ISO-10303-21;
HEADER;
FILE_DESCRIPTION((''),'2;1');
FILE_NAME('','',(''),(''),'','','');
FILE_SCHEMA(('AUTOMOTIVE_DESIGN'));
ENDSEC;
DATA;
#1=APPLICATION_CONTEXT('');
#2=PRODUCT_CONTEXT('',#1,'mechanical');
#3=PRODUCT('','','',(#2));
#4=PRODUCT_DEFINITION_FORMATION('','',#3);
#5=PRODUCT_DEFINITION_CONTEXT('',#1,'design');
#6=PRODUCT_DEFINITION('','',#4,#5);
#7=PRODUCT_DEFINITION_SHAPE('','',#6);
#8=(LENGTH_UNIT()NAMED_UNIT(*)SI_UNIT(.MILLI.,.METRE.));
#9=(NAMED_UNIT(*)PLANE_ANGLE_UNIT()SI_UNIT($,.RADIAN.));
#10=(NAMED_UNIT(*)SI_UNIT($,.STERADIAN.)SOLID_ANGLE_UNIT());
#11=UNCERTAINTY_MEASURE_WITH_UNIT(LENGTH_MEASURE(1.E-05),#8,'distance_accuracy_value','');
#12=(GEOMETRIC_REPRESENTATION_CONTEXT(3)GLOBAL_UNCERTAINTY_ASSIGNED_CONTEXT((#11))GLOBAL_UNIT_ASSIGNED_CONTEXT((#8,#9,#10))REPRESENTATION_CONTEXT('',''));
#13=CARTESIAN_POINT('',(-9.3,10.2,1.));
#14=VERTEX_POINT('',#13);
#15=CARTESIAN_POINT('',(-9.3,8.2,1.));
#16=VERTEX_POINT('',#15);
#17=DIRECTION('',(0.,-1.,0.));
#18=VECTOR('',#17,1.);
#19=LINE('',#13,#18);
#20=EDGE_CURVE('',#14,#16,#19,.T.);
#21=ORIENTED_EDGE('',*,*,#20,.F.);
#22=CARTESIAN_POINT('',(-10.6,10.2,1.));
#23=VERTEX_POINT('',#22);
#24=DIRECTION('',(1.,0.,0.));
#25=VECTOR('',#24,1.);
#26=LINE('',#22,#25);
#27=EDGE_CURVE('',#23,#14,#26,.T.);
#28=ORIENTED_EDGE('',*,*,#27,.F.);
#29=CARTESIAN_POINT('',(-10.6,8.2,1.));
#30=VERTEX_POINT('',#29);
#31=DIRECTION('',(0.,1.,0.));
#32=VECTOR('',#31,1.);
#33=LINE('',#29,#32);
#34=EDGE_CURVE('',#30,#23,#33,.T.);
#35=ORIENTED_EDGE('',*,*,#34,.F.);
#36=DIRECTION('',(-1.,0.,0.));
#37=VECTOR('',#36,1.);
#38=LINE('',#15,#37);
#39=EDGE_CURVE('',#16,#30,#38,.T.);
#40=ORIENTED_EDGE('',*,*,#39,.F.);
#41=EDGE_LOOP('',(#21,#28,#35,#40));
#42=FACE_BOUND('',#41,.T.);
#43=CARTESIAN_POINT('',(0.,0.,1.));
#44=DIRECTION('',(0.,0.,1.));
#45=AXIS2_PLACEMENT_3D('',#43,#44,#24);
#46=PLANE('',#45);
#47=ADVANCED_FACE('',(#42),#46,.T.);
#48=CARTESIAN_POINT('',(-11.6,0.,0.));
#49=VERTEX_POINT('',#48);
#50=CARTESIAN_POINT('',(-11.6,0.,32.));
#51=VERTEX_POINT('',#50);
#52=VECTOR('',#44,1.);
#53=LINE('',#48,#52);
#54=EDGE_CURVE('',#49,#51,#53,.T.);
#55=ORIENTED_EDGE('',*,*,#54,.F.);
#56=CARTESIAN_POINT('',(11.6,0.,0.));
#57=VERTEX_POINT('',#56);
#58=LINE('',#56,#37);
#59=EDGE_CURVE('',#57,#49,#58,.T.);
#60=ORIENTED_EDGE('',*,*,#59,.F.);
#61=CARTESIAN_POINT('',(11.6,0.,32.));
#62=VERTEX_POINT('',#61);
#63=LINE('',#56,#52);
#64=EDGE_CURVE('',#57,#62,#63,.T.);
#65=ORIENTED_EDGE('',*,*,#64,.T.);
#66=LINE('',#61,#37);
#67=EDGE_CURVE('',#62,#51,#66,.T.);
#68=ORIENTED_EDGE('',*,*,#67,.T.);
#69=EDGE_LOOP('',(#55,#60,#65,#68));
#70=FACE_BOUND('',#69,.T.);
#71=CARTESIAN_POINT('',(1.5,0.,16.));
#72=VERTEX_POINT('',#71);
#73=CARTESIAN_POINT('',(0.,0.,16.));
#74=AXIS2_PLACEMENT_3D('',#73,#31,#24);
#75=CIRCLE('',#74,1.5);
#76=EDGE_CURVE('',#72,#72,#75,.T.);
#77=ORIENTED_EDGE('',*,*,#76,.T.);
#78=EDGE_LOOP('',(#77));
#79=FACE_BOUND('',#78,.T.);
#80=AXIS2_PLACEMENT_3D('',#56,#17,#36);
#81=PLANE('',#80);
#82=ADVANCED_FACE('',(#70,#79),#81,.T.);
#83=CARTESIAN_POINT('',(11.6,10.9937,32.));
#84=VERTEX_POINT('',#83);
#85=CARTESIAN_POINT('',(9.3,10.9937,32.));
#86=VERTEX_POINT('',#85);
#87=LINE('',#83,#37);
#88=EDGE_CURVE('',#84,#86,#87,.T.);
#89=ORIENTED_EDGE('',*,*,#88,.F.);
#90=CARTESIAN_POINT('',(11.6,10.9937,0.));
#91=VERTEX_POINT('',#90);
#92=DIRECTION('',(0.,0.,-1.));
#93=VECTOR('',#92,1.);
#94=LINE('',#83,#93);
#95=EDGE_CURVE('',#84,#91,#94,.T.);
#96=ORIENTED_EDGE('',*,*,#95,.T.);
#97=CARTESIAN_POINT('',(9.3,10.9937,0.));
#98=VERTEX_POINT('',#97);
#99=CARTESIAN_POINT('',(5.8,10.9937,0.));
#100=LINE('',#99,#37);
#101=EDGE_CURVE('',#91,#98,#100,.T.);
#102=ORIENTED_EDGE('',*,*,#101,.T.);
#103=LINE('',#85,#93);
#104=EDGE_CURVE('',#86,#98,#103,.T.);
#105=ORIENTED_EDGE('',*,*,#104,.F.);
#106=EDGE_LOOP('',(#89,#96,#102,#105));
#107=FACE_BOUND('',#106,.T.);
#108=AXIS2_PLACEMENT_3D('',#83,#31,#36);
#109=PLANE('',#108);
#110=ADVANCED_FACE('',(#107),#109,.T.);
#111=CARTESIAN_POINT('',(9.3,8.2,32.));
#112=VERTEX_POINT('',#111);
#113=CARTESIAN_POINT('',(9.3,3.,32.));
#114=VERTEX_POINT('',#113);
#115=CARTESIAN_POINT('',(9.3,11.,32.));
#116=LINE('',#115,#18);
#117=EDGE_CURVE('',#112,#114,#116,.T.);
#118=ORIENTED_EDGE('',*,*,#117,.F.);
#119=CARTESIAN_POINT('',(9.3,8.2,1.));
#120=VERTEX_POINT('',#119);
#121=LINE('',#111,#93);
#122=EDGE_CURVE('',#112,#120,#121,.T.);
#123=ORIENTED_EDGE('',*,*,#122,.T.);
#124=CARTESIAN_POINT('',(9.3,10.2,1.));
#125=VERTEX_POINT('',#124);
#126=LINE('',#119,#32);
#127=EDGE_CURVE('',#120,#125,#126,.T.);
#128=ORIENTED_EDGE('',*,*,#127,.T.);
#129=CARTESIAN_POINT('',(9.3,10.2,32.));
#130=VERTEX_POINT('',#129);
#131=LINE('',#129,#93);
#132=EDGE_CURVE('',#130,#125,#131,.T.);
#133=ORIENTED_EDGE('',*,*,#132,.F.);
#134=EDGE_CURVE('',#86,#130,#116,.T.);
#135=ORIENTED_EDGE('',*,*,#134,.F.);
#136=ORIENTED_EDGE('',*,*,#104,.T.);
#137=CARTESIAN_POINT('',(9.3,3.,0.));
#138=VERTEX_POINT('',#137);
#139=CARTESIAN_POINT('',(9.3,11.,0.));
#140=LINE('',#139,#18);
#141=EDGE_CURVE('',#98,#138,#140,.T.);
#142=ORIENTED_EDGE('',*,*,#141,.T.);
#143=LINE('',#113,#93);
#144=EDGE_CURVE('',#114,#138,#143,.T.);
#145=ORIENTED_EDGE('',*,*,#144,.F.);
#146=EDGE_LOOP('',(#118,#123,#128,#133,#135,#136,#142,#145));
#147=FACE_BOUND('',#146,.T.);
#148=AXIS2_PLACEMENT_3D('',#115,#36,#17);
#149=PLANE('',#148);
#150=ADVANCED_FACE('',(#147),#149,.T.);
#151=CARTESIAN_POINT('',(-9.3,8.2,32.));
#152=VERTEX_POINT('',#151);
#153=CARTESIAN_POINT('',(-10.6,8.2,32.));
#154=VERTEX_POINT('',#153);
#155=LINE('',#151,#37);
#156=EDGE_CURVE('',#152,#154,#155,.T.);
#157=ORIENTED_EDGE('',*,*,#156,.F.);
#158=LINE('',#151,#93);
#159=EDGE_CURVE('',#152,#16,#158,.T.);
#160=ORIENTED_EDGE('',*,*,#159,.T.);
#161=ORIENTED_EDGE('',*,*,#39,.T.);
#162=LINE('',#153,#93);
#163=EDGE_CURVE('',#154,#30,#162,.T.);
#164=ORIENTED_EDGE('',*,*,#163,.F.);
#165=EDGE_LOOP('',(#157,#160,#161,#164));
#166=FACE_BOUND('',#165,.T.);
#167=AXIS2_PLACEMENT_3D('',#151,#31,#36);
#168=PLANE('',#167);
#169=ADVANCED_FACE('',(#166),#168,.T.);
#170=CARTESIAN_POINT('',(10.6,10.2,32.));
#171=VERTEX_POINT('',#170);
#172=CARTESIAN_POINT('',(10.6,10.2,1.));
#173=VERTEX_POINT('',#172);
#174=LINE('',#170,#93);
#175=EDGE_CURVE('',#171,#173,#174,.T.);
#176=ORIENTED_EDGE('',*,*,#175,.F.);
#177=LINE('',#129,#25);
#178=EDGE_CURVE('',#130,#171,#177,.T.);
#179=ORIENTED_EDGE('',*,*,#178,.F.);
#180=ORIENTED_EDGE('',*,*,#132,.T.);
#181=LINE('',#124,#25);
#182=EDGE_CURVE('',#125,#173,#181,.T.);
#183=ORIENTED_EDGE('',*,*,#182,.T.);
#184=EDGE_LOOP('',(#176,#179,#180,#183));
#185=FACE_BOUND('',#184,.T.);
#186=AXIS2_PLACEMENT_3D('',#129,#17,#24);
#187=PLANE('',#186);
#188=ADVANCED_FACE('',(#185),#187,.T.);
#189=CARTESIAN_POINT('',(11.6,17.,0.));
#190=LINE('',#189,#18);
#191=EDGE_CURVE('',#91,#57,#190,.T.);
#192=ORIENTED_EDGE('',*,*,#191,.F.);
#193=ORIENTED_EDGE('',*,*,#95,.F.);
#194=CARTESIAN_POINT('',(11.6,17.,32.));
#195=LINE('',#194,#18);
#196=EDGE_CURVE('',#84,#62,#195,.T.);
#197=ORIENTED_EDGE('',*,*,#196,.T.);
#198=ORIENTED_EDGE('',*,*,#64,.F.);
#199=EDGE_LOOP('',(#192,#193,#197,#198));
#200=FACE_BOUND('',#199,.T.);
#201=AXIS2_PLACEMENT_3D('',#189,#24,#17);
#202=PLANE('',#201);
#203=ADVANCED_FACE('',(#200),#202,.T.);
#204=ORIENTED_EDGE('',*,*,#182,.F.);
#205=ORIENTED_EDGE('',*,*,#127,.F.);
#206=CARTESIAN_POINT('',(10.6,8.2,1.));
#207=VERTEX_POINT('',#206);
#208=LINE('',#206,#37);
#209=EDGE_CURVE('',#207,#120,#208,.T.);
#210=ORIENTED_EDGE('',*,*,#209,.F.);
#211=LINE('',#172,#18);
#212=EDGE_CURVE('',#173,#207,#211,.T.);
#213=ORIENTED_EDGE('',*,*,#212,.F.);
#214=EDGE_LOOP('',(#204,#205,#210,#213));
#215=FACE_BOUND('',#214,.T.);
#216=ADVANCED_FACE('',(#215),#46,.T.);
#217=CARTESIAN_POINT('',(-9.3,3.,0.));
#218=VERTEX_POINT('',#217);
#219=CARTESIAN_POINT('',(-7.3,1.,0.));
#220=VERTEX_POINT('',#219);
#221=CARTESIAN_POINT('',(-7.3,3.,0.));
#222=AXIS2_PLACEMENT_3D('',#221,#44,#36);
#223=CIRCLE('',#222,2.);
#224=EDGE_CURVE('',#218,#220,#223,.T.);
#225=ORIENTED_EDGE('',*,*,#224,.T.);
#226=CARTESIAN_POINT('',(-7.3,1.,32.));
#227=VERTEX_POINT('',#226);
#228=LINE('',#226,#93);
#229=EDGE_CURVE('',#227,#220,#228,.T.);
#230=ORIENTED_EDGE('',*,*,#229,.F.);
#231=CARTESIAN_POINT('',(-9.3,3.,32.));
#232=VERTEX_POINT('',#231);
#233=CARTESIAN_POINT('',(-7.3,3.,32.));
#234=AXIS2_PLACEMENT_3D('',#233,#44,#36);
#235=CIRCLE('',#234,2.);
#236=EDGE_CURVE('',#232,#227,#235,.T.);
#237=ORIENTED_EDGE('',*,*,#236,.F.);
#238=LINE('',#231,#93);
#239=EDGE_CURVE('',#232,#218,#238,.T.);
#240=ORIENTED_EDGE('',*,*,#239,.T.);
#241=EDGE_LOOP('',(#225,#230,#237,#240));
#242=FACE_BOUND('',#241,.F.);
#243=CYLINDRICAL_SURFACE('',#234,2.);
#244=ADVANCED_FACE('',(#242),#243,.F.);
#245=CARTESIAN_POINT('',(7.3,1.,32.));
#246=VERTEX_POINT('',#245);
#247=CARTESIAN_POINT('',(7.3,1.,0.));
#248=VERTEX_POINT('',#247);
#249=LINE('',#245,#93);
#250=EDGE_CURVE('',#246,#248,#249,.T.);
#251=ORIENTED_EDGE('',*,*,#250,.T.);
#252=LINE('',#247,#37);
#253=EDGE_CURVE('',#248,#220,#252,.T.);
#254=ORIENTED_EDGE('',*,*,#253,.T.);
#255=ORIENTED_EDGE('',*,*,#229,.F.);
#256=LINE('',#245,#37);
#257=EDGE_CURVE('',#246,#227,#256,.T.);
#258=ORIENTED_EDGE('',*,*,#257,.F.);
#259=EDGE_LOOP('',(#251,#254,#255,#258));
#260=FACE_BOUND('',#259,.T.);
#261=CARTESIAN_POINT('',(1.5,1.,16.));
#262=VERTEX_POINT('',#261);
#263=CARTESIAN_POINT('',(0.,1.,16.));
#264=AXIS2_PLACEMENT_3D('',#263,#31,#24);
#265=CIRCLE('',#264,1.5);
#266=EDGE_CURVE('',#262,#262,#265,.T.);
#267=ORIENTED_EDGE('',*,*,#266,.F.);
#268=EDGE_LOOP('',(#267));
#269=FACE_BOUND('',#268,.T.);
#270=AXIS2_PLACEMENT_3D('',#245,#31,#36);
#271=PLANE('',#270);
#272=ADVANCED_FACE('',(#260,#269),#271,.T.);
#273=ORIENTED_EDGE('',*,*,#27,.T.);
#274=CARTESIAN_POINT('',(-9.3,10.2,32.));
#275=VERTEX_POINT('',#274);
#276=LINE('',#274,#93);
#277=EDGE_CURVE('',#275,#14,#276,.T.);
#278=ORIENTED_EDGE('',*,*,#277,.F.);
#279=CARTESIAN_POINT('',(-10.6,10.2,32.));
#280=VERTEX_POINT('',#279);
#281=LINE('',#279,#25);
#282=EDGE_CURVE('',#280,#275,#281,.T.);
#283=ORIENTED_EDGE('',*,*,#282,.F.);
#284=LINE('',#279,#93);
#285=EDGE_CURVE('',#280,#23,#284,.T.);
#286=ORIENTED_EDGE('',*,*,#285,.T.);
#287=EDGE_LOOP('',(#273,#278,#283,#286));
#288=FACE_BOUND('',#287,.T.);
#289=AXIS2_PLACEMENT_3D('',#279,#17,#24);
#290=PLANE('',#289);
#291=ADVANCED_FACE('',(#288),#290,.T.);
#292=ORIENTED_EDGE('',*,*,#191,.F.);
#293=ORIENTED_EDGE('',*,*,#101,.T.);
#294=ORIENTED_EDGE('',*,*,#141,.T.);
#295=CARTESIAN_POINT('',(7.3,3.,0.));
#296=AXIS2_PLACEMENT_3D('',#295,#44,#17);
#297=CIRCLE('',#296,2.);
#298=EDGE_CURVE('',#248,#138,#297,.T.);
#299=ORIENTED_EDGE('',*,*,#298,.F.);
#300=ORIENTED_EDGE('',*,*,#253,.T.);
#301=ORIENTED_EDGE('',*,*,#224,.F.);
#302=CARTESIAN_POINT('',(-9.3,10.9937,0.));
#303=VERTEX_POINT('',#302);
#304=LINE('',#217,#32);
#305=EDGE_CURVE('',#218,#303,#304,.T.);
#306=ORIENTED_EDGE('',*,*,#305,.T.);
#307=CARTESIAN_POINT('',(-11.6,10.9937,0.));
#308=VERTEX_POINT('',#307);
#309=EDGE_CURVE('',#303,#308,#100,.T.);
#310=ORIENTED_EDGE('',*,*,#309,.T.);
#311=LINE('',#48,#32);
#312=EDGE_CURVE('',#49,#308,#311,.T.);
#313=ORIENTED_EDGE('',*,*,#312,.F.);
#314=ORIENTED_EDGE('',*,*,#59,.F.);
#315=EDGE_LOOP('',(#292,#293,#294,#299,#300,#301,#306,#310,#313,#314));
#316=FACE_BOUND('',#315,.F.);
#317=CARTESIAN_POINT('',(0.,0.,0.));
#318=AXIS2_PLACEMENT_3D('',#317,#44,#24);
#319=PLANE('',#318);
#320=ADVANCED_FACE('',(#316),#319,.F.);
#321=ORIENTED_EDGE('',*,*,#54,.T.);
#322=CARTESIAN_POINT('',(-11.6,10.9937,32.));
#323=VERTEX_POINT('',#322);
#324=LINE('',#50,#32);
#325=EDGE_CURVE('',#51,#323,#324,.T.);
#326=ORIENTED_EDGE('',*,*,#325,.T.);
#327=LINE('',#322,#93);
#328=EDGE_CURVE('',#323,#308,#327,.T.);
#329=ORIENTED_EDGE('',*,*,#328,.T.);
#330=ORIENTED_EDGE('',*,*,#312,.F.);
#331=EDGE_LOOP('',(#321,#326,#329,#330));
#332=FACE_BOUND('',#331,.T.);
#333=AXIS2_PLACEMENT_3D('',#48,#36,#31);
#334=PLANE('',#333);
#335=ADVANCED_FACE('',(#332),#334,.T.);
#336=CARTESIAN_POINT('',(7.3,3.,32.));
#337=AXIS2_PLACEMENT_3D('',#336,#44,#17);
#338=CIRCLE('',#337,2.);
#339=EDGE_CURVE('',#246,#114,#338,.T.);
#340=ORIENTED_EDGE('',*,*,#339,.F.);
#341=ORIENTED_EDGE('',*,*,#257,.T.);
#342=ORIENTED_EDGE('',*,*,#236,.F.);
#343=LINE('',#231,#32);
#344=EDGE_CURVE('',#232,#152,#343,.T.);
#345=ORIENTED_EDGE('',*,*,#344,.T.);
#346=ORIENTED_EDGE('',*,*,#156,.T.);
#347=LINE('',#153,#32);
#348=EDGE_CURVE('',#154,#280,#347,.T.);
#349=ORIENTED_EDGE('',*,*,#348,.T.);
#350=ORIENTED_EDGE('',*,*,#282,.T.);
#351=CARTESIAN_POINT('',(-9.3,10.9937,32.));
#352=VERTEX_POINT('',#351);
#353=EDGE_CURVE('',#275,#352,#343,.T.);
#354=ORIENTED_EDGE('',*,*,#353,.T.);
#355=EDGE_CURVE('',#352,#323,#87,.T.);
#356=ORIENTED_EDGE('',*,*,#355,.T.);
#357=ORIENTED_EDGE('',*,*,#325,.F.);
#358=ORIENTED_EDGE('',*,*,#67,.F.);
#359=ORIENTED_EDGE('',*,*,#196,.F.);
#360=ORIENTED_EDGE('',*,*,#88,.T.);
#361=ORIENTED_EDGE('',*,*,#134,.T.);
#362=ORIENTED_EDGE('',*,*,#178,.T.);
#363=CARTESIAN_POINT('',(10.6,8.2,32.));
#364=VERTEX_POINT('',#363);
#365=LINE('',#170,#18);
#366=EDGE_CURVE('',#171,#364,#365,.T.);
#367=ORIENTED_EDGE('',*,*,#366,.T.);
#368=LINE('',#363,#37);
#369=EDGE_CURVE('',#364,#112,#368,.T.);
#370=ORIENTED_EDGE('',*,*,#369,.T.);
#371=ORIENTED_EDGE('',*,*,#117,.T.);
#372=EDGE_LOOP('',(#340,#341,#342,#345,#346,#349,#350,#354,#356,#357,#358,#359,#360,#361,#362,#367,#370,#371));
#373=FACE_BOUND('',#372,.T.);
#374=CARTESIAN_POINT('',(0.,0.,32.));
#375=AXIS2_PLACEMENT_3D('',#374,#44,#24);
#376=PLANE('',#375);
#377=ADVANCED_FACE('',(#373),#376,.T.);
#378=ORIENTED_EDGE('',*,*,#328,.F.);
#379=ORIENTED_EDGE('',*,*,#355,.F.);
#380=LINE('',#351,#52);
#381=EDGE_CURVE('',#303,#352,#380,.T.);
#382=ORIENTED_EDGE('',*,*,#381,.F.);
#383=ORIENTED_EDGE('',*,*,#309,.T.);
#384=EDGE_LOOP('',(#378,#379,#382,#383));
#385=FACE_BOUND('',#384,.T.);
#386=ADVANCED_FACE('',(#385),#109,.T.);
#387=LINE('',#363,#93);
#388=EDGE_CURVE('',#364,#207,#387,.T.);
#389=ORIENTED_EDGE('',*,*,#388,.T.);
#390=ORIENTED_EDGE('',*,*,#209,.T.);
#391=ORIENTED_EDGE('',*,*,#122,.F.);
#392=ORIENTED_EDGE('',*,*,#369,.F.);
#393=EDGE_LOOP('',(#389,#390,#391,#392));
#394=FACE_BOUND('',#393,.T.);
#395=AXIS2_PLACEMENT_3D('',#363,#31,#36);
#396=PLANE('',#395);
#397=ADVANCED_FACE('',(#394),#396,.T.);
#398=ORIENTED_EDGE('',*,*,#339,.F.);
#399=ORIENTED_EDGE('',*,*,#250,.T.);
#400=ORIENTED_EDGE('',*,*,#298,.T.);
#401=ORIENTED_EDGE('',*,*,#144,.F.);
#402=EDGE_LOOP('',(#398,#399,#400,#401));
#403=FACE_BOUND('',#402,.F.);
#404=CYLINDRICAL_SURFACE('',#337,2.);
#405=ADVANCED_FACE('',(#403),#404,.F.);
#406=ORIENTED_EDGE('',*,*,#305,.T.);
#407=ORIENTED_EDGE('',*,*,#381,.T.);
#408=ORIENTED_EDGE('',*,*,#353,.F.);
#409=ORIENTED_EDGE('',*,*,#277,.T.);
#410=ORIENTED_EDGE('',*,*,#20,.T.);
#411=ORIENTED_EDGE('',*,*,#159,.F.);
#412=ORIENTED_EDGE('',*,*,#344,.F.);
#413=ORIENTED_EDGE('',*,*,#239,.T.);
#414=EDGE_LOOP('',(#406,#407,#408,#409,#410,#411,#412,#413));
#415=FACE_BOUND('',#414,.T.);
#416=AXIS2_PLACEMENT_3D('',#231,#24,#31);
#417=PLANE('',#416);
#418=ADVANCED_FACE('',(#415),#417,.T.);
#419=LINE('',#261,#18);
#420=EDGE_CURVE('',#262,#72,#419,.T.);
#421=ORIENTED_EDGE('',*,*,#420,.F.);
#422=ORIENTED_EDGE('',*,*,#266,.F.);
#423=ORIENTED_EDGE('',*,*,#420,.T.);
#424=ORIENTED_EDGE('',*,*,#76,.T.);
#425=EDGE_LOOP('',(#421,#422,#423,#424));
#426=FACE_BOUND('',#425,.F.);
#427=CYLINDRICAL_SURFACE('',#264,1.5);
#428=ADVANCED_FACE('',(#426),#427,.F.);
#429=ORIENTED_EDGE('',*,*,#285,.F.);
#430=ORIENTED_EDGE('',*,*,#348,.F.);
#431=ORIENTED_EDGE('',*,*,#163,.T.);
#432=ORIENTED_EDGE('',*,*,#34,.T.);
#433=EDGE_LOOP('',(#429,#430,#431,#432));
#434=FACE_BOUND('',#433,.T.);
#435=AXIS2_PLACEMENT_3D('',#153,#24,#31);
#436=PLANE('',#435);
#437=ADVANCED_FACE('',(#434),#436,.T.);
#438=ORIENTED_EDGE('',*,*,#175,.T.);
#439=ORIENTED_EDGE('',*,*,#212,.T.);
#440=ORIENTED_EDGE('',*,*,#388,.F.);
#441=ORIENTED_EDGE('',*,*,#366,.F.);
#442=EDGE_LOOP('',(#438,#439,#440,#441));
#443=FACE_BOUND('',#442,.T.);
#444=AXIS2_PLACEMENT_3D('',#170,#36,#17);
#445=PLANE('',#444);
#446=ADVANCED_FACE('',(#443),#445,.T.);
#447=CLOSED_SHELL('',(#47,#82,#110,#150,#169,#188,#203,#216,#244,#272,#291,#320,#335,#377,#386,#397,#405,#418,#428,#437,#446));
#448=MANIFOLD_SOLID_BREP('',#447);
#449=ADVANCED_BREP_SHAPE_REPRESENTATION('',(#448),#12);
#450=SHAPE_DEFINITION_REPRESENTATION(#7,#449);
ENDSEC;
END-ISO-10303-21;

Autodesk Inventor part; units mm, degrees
ref_plane "YZ Plane" through (0, 0, 0) normal (1, 0, 0) x (0, 1, 0)
ref_plane "XZ Plane" through (0, 0, 0) normal (0, 1, 0) x (-1, 0, 0)
ref_plane "XY Plane" through (0, 0, 0) normal (0, 0, 1) x (1, 0, 0)
sketch "本体面" plane through (0, 0, 0) normal (0, 0, 1) x (1, 0, 0)
  line L0 (-11.6, 17) -> (11.6, 17)
  line L1 (11.6, 17) -> (11.6, 0)
  line L2 (11.6, 0) -> (-11.6, 0)
  line L3 (-11.6, 0) -> (-11.6, 17)
  point P0 (0, 0)
  point P1 (0, 0)
  dimension "d0" = 23.2
  dimension "d1" = 17
extrude "本体" add sketch "本体面" along normal blind 32
sketch "空洞面" plane through (0, 0, 32) normal (0, 0, 1) x (1, 0, 0)
  line L0 (-9.3, 11) -> (9.3, 11)
  line L1 (9.3, 11) -> (9.3, 3)
  line L2 (7.3, 1) -> (-7.3, 1)
  line L3 (-9.3, 3) -> (-9.3, 11)
  line L4 (11.6, 17) -> (-11.6, 17) projected
  arc A0 (-9.3, 3) -> (-7.3, 1) centre (-7.3, 3) ccw
  arc A1 (7.3, 1) -> (9.3, 3) centre (7.3, 3) ccw
  line L5 (-11.6, 0) -> (11.6, 0) projected
  point P0 (0, 0)
  point P1 (9.3, 1)
  point P2 (-9.3, 1)
  point P3 (0, 11)
  dimension "d4" = 18.6
  dimension "d6" = 2
  dimension "d31" = 1
  dimension "d32" = 10
extrude "空洞" cut sketch "空洞面" against normal blind 32
sketch "左溝面" plane through (0, 0, 32) normal (0, 0, 1) x (1, 0, 0)
  line L0 (-10.6, 10.2) -> (-9.3, 10.2)
  line L1 (-9.3, 10.2) -> (-9.3, 8.2)
  line L2 (-9.3, 8.2) -> (-10.6, 8.2)
  line L3 (-10.6, 8.2) -> (-10.6, 10.2)
  line L4 (11.6, 17) -> (-11.6, 17) construction
  line L5 (-11.6, 17) -> (-11.6, 0) construction
  line L6 (-9.3, 3) -> (-9.3, 11) construction
  line L7 (-9.3, 11) -> (9.3, 11) construction
  point P0 (0, 0)
  point P1 (-9.3, 28)
  dimension "d10" = 2
  dimension "d28" = 1
  dimension "d33" = 0.8
extrude "左溝" cut sketch "左溝面" against normal blind 31
sketch "右溝面" plane through (0, 0, 32) normal (0, 0, 1) x (1, 0, 0)
  line L0 (9.3, 10.2) -> (10.6, 10.2)
  line L1 (10.6, 10.2) -> (10.6, 8.2)
  line L2 (10.6, 8.2) -> (9.3, 8.2)
  line L3 (9.3, 8.2) -> (9.3, 10.2)
  line L4 (11.6, 0) -> (11.6, 17) construction
  line L5 (9.3, 11) -> (9.3, 3) construction
  line L6 (-9.3, 11) -> (9.3, 11) construction
  point P0 (0, 0)
  dimension "d22" = 2
  dimension "d30" = 1
  dimension "d34" = 0.8
extrude "右溝" cut sketch "右溝面" against normal blind 31
sketch "穴面" plane through (0, 0, 0) normal (0, 0, -1) x (-1, 0, 0)
  line L0 (-7.3, 15) -> (7.3, 15)
  line L1 (9.3, 13) -> (9.3, 4)
  line L2 (7.3, 2) -> (-7.3, 2)
  line L3 (-9.3, 4) -> (-9.3, 13)
  line L4 (11.6, 17) -> (-11.6, 17) construction
  line L5 (-11.6, 0) -> (11.6, 0) construction
  arc A0 (-7.3, 15) -> (-9.3, 13) centre (-7.3, 13) ccw
  arc A1 (9.3, 13) -> (7.3, 15) centre (7.3, 13) ccw
  arc A2 (-9.3, 4) -> (-7.3, 2) centre (-7.3, 4) ccw
  arc A3 (7.3, 2) -> (9.3, 4) centre (7.3, 4) ccw
  line L6 (9.3, 11) -> (9.3, 3) projected
  line L7 (-9.3, 3) -> (-9.3, 11) projected
  point P0 (0, 0)
  dimension "d41" = 2
  dimension "d44" = 2
  dimension "d45" = 2
sketch "スケッチ11" plane through (0, 0, 32) normal (0, 0, 1) x (1, 0, 0)
  line L0 (-11.6, 17) -> (11.6, 17) projected
  line L1 (11.6, 17) -> (11.6, 0) projected
  line L2 (-11.6, 17) -> (11.6, 17)
  line L3 (11.6, 17) -> (11.6, 10.9937)
  line L4 (11.6, 10.9937) -> (-11.6, 10.9937)
  line L5 (-11.6, 10.9937) -> (-11.6, 17)
  point P0 (0, 0)
extrude "押し出し9" cut sketch "スケッチ11" along normal through all both and the other way through all
sketch "スケッチ12" plane through (-7.3, 1, 32) normal (0, 1, 0) x (1, 0, 0)
  line L0 (14.6, 0) -> (0, 0) projected
  line L1 (0, 0) -> (0, 32) projected
  line L2 (0, 0) -> (-2, 0) projected
  line L3 (14.6, 0) -> (14.6, 32) projected
  circle A0 centre (7.3, 16) radius 1.5
  point P0 (7.3, 32)
  dimension "d65" = 3
extrude "押し出し10" cut sketch "スケッチ12" against normal through all
properties part number "HB5_holder"
